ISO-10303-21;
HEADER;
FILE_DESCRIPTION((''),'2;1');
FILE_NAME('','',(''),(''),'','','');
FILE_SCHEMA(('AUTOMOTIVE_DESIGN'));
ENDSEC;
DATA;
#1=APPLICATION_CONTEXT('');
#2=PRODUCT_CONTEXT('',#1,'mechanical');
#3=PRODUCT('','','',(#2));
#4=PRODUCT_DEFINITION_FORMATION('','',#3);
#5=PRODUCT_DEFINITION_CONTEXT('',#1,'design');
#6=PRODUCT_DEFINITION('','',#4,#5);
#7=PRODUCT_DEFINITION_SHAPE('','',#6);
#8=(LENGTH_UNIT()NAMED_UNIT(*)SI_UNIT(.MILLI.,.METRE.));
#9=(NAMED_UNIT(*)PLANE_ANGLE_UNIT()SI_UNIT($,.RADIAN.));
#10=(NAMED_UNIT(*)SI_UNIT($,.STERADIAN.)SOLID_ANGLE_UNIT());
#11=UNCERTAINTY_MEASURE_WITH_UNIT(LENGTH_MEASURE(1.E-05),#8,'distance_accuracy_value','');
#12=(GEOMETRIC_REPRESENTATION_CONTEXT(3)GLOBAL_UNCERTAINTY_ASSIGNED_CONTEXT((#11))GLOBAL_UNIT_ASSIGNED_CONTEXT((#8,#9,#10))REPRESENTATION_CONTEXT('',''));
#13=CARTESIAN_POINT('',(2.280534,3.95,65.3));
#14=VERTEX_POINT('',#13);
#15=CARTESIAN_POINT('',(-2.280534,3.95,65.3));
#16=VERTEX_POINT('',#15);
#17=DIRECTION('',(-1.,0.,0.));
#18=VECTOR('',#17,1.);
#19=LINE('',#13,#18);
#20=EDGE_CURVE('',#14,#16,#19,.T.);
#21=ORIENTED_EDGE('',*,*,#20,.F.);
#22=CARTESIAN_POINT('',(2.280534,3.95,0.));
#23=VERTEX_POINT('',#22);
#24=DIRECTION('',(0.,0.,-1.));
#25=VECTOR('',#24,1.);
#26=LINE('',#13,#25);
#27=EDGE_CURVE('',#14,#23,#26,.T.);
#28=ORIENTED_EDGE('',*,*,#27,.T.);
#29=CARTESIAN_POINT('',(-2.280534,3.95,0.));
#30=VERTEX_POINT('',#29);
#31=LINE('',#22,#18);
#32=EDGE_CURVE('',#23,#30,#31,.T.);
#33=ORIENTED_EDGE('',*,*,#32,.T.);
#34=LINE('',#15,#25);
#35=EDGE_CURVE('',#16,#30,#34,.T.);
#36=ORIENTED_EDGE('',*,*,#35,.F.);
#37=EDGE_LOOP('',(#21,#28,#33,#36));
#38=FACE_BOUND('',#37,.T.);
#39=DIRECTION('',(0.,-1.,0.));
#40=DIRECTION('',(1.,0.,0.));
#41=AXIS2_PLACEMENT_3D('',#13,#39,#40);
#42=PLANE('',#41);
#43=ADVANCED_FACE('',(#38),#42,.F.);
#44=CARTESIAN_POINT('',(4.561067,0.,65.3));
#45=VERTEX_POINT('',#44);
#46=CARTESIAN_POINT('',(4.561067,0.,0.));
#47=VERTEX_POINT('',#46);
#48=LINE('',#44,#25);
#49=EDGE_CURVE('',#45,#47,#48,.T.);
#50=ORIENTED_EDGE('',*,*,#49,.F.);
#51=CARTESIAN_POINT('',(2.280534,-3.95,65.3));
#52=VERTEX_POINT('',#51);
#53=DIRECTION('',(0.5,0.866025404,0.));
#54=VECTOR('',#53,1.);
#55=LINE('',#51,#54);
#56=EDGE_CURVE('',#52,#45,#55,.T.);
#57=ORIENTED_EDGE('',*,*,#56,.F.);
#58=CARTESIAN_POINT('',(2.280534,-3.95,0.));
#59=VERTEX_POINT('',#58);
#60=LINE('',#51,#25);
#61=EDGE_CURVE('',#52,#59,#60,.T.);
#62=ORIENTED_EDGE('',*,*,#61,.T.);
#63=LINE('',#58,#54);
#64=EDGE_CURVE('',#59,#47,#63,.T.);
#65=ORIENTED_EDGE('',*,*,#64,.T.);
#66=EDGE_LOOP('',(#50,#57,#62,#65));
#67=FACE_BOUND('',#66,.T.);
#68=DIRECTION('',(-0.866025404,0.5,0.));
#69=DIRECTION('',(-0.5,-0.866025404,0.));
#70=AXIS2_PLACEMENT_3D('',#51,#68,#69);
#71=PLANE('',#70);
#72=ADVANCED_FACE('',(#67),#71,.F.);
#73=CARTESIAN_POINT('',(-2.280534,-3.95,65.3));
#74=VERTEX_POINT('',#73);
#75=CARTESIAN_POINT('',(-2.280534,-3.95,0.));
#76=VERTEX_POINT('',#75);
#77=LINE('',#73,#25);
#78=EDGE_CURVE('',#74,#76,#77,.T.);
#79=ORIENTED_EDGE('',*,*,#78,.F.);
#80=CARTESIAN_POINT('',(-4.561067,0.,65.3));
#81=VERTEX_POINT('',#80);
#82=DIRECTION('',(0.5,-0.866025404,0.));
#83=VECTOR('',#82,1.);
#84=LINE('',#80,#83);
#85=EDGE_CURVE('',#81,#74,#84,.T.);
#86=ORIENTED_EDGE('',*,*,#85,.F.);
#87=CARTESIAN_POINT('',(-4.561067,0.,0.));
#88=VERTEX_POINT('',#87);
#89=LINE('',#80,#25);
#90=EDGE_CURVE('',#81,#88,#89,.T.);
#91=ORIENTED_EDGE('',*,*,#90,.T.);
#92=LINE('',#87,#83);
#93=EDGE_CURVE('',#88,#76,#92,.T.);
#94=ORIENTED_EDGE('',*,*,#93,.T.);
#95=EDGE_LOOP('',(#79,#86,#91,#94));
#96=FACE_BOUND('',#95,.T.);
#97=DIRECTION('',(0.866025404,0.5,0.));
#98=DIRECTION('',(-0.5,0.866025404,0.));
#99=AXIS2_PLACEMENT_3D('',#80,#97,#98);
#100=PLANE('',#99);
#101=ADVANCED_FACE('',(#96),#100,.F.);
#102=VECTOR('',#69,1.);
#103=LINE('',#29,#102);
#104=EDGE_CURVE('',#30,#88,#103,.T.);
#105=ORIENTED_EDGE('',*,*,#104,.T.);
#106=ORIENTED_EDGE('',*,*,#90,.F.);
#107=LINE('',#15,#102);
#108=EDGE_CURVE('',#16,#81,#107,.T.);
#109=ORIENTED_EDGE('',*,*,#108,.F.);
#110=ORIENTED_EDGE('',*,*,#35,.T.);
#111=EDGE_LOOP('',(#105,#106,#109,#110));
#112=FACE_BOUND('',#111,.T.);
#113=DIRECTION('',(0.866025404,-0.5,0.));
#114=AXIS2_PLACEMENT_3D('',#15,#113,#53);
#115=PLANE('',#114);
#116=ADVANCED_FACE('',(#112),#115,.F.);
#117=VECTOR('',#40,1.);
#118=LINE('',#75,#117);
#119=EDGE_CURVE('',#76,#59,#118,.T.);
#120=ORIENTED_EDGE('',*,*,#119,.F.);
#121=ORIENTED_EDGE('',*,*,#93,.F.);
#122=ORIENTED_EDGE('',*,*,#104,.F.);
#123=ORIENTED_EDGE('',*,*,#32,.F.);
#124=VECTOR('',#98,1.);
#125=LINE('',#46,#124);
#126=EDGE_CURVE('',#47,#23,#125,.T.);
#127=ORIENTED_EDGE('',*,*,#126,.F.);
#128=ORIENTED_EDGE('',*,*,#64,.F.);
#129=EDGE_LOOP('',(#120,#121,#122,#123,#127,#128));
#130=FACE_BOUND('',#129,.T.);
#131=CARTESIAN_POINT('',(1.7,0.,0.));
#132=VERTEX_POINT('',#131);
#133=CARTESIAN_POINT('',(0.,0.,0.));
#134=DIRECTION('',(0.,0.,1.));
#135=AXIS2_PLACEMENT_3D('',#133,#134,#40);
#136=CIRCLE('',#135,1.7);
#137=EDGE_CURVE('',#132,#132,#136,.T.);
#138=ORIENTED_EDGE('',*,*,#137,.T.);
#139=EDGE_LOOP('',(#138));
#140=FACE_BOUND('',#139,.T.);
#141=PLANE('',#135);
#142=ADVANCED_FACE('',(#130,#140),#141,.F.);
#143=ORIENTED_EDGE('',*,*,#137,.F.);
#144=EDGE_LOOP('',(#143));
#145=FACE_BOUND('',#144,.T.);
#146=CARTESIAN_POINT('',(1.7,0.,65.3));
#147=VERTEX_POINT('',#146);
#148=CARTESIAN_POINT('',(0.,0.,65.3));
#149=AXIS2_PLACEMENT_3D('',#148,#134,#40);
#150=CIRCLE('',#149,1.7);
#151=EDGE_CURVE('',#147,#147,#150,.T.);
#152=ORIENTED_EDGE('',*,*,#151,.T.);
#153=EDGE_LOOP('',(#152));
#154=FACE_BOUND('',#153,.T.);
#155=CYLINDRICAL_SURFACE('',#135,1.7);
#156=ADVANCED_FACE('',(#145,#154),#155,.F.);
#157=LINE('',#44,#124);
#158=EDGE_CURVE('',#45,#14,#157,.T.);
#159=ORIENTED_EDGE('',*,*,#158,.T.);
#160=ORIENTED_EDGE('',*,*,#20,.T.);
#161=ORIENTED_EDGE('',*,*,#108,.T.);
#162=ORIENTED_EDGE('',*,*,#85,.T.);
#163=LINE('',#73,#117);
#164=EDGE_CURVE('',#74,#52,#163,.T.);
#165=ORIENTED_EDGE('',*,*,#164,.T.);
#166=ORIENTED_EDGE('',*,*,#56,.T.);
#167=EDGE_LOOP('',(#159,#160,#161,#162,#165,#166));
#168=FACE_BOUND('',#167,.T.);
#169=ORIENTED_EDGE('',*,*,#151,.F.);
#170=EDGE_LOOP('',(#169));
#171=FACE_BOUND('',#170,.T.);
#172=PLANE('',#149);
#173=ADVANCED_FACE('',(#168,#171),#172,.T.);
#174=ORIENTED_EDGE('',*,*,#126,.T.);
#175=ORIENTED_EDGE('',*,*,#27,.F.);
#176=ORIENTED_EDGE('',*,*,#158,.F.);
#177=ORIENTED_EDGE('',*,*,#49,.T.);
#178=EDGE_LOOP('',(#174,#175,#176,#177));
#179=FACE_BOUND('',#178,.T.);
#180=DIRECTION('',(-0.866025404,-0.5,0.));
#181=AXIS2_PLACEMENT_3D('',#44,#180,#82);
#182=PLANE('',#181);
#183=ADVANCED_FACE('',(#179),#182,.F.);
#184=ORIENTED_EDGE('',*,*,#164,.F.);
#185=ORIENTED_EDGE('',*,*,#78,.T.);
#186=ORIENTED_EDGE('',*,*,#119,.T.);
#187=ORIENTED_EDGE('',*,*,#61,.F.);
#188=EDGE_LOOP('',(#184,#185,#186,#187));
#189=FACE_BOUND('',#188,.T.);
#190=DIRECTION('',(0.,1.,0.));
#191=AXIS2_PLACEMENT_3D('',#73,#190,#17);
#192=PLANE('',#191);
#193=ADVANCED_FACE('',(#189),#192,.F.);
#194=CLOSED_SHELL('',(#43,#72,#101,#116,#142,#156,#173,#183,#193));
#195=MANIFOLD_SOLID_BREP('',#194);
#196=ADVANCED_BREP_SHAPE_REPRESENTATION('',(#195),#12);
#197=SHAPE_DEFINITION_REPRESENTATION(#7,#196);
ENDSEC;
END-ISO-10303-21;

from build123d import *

# Parameters (mm, degrees)
SALIENTE_EXTRUIR1_DEPTH = 65.3
CROQUIS2_R              = 1.7
CORTAR_EXTRUIR1_DEPTH   = 65.3


with BuildPart() as part:
    # Croquis1 → Saliente-Extruir1 (new body)
    with BuildSketch(Plane.XY):
        Polygon((4.561067127, 0), (2.280533563, 3.95), (-2.280533563, 3.95), (-4.561067127, 0), (-2.280533563, -3.95), (2.280533563, -3.95), align=None)
    extrude(amount=SALIENTE_EXTRUIR1_DEPTH)

    # Croquis2 → Cortar-Extruir1 (cut)
    with BuildSketch(Plane.XY.offset(65.3)):
        Circle(CROQUIS2_R)
    extrude(amount=-CORTAR_EXTRUIR1_DEPTH, mode=Mode.SUBTRACT)


solid = part.part
